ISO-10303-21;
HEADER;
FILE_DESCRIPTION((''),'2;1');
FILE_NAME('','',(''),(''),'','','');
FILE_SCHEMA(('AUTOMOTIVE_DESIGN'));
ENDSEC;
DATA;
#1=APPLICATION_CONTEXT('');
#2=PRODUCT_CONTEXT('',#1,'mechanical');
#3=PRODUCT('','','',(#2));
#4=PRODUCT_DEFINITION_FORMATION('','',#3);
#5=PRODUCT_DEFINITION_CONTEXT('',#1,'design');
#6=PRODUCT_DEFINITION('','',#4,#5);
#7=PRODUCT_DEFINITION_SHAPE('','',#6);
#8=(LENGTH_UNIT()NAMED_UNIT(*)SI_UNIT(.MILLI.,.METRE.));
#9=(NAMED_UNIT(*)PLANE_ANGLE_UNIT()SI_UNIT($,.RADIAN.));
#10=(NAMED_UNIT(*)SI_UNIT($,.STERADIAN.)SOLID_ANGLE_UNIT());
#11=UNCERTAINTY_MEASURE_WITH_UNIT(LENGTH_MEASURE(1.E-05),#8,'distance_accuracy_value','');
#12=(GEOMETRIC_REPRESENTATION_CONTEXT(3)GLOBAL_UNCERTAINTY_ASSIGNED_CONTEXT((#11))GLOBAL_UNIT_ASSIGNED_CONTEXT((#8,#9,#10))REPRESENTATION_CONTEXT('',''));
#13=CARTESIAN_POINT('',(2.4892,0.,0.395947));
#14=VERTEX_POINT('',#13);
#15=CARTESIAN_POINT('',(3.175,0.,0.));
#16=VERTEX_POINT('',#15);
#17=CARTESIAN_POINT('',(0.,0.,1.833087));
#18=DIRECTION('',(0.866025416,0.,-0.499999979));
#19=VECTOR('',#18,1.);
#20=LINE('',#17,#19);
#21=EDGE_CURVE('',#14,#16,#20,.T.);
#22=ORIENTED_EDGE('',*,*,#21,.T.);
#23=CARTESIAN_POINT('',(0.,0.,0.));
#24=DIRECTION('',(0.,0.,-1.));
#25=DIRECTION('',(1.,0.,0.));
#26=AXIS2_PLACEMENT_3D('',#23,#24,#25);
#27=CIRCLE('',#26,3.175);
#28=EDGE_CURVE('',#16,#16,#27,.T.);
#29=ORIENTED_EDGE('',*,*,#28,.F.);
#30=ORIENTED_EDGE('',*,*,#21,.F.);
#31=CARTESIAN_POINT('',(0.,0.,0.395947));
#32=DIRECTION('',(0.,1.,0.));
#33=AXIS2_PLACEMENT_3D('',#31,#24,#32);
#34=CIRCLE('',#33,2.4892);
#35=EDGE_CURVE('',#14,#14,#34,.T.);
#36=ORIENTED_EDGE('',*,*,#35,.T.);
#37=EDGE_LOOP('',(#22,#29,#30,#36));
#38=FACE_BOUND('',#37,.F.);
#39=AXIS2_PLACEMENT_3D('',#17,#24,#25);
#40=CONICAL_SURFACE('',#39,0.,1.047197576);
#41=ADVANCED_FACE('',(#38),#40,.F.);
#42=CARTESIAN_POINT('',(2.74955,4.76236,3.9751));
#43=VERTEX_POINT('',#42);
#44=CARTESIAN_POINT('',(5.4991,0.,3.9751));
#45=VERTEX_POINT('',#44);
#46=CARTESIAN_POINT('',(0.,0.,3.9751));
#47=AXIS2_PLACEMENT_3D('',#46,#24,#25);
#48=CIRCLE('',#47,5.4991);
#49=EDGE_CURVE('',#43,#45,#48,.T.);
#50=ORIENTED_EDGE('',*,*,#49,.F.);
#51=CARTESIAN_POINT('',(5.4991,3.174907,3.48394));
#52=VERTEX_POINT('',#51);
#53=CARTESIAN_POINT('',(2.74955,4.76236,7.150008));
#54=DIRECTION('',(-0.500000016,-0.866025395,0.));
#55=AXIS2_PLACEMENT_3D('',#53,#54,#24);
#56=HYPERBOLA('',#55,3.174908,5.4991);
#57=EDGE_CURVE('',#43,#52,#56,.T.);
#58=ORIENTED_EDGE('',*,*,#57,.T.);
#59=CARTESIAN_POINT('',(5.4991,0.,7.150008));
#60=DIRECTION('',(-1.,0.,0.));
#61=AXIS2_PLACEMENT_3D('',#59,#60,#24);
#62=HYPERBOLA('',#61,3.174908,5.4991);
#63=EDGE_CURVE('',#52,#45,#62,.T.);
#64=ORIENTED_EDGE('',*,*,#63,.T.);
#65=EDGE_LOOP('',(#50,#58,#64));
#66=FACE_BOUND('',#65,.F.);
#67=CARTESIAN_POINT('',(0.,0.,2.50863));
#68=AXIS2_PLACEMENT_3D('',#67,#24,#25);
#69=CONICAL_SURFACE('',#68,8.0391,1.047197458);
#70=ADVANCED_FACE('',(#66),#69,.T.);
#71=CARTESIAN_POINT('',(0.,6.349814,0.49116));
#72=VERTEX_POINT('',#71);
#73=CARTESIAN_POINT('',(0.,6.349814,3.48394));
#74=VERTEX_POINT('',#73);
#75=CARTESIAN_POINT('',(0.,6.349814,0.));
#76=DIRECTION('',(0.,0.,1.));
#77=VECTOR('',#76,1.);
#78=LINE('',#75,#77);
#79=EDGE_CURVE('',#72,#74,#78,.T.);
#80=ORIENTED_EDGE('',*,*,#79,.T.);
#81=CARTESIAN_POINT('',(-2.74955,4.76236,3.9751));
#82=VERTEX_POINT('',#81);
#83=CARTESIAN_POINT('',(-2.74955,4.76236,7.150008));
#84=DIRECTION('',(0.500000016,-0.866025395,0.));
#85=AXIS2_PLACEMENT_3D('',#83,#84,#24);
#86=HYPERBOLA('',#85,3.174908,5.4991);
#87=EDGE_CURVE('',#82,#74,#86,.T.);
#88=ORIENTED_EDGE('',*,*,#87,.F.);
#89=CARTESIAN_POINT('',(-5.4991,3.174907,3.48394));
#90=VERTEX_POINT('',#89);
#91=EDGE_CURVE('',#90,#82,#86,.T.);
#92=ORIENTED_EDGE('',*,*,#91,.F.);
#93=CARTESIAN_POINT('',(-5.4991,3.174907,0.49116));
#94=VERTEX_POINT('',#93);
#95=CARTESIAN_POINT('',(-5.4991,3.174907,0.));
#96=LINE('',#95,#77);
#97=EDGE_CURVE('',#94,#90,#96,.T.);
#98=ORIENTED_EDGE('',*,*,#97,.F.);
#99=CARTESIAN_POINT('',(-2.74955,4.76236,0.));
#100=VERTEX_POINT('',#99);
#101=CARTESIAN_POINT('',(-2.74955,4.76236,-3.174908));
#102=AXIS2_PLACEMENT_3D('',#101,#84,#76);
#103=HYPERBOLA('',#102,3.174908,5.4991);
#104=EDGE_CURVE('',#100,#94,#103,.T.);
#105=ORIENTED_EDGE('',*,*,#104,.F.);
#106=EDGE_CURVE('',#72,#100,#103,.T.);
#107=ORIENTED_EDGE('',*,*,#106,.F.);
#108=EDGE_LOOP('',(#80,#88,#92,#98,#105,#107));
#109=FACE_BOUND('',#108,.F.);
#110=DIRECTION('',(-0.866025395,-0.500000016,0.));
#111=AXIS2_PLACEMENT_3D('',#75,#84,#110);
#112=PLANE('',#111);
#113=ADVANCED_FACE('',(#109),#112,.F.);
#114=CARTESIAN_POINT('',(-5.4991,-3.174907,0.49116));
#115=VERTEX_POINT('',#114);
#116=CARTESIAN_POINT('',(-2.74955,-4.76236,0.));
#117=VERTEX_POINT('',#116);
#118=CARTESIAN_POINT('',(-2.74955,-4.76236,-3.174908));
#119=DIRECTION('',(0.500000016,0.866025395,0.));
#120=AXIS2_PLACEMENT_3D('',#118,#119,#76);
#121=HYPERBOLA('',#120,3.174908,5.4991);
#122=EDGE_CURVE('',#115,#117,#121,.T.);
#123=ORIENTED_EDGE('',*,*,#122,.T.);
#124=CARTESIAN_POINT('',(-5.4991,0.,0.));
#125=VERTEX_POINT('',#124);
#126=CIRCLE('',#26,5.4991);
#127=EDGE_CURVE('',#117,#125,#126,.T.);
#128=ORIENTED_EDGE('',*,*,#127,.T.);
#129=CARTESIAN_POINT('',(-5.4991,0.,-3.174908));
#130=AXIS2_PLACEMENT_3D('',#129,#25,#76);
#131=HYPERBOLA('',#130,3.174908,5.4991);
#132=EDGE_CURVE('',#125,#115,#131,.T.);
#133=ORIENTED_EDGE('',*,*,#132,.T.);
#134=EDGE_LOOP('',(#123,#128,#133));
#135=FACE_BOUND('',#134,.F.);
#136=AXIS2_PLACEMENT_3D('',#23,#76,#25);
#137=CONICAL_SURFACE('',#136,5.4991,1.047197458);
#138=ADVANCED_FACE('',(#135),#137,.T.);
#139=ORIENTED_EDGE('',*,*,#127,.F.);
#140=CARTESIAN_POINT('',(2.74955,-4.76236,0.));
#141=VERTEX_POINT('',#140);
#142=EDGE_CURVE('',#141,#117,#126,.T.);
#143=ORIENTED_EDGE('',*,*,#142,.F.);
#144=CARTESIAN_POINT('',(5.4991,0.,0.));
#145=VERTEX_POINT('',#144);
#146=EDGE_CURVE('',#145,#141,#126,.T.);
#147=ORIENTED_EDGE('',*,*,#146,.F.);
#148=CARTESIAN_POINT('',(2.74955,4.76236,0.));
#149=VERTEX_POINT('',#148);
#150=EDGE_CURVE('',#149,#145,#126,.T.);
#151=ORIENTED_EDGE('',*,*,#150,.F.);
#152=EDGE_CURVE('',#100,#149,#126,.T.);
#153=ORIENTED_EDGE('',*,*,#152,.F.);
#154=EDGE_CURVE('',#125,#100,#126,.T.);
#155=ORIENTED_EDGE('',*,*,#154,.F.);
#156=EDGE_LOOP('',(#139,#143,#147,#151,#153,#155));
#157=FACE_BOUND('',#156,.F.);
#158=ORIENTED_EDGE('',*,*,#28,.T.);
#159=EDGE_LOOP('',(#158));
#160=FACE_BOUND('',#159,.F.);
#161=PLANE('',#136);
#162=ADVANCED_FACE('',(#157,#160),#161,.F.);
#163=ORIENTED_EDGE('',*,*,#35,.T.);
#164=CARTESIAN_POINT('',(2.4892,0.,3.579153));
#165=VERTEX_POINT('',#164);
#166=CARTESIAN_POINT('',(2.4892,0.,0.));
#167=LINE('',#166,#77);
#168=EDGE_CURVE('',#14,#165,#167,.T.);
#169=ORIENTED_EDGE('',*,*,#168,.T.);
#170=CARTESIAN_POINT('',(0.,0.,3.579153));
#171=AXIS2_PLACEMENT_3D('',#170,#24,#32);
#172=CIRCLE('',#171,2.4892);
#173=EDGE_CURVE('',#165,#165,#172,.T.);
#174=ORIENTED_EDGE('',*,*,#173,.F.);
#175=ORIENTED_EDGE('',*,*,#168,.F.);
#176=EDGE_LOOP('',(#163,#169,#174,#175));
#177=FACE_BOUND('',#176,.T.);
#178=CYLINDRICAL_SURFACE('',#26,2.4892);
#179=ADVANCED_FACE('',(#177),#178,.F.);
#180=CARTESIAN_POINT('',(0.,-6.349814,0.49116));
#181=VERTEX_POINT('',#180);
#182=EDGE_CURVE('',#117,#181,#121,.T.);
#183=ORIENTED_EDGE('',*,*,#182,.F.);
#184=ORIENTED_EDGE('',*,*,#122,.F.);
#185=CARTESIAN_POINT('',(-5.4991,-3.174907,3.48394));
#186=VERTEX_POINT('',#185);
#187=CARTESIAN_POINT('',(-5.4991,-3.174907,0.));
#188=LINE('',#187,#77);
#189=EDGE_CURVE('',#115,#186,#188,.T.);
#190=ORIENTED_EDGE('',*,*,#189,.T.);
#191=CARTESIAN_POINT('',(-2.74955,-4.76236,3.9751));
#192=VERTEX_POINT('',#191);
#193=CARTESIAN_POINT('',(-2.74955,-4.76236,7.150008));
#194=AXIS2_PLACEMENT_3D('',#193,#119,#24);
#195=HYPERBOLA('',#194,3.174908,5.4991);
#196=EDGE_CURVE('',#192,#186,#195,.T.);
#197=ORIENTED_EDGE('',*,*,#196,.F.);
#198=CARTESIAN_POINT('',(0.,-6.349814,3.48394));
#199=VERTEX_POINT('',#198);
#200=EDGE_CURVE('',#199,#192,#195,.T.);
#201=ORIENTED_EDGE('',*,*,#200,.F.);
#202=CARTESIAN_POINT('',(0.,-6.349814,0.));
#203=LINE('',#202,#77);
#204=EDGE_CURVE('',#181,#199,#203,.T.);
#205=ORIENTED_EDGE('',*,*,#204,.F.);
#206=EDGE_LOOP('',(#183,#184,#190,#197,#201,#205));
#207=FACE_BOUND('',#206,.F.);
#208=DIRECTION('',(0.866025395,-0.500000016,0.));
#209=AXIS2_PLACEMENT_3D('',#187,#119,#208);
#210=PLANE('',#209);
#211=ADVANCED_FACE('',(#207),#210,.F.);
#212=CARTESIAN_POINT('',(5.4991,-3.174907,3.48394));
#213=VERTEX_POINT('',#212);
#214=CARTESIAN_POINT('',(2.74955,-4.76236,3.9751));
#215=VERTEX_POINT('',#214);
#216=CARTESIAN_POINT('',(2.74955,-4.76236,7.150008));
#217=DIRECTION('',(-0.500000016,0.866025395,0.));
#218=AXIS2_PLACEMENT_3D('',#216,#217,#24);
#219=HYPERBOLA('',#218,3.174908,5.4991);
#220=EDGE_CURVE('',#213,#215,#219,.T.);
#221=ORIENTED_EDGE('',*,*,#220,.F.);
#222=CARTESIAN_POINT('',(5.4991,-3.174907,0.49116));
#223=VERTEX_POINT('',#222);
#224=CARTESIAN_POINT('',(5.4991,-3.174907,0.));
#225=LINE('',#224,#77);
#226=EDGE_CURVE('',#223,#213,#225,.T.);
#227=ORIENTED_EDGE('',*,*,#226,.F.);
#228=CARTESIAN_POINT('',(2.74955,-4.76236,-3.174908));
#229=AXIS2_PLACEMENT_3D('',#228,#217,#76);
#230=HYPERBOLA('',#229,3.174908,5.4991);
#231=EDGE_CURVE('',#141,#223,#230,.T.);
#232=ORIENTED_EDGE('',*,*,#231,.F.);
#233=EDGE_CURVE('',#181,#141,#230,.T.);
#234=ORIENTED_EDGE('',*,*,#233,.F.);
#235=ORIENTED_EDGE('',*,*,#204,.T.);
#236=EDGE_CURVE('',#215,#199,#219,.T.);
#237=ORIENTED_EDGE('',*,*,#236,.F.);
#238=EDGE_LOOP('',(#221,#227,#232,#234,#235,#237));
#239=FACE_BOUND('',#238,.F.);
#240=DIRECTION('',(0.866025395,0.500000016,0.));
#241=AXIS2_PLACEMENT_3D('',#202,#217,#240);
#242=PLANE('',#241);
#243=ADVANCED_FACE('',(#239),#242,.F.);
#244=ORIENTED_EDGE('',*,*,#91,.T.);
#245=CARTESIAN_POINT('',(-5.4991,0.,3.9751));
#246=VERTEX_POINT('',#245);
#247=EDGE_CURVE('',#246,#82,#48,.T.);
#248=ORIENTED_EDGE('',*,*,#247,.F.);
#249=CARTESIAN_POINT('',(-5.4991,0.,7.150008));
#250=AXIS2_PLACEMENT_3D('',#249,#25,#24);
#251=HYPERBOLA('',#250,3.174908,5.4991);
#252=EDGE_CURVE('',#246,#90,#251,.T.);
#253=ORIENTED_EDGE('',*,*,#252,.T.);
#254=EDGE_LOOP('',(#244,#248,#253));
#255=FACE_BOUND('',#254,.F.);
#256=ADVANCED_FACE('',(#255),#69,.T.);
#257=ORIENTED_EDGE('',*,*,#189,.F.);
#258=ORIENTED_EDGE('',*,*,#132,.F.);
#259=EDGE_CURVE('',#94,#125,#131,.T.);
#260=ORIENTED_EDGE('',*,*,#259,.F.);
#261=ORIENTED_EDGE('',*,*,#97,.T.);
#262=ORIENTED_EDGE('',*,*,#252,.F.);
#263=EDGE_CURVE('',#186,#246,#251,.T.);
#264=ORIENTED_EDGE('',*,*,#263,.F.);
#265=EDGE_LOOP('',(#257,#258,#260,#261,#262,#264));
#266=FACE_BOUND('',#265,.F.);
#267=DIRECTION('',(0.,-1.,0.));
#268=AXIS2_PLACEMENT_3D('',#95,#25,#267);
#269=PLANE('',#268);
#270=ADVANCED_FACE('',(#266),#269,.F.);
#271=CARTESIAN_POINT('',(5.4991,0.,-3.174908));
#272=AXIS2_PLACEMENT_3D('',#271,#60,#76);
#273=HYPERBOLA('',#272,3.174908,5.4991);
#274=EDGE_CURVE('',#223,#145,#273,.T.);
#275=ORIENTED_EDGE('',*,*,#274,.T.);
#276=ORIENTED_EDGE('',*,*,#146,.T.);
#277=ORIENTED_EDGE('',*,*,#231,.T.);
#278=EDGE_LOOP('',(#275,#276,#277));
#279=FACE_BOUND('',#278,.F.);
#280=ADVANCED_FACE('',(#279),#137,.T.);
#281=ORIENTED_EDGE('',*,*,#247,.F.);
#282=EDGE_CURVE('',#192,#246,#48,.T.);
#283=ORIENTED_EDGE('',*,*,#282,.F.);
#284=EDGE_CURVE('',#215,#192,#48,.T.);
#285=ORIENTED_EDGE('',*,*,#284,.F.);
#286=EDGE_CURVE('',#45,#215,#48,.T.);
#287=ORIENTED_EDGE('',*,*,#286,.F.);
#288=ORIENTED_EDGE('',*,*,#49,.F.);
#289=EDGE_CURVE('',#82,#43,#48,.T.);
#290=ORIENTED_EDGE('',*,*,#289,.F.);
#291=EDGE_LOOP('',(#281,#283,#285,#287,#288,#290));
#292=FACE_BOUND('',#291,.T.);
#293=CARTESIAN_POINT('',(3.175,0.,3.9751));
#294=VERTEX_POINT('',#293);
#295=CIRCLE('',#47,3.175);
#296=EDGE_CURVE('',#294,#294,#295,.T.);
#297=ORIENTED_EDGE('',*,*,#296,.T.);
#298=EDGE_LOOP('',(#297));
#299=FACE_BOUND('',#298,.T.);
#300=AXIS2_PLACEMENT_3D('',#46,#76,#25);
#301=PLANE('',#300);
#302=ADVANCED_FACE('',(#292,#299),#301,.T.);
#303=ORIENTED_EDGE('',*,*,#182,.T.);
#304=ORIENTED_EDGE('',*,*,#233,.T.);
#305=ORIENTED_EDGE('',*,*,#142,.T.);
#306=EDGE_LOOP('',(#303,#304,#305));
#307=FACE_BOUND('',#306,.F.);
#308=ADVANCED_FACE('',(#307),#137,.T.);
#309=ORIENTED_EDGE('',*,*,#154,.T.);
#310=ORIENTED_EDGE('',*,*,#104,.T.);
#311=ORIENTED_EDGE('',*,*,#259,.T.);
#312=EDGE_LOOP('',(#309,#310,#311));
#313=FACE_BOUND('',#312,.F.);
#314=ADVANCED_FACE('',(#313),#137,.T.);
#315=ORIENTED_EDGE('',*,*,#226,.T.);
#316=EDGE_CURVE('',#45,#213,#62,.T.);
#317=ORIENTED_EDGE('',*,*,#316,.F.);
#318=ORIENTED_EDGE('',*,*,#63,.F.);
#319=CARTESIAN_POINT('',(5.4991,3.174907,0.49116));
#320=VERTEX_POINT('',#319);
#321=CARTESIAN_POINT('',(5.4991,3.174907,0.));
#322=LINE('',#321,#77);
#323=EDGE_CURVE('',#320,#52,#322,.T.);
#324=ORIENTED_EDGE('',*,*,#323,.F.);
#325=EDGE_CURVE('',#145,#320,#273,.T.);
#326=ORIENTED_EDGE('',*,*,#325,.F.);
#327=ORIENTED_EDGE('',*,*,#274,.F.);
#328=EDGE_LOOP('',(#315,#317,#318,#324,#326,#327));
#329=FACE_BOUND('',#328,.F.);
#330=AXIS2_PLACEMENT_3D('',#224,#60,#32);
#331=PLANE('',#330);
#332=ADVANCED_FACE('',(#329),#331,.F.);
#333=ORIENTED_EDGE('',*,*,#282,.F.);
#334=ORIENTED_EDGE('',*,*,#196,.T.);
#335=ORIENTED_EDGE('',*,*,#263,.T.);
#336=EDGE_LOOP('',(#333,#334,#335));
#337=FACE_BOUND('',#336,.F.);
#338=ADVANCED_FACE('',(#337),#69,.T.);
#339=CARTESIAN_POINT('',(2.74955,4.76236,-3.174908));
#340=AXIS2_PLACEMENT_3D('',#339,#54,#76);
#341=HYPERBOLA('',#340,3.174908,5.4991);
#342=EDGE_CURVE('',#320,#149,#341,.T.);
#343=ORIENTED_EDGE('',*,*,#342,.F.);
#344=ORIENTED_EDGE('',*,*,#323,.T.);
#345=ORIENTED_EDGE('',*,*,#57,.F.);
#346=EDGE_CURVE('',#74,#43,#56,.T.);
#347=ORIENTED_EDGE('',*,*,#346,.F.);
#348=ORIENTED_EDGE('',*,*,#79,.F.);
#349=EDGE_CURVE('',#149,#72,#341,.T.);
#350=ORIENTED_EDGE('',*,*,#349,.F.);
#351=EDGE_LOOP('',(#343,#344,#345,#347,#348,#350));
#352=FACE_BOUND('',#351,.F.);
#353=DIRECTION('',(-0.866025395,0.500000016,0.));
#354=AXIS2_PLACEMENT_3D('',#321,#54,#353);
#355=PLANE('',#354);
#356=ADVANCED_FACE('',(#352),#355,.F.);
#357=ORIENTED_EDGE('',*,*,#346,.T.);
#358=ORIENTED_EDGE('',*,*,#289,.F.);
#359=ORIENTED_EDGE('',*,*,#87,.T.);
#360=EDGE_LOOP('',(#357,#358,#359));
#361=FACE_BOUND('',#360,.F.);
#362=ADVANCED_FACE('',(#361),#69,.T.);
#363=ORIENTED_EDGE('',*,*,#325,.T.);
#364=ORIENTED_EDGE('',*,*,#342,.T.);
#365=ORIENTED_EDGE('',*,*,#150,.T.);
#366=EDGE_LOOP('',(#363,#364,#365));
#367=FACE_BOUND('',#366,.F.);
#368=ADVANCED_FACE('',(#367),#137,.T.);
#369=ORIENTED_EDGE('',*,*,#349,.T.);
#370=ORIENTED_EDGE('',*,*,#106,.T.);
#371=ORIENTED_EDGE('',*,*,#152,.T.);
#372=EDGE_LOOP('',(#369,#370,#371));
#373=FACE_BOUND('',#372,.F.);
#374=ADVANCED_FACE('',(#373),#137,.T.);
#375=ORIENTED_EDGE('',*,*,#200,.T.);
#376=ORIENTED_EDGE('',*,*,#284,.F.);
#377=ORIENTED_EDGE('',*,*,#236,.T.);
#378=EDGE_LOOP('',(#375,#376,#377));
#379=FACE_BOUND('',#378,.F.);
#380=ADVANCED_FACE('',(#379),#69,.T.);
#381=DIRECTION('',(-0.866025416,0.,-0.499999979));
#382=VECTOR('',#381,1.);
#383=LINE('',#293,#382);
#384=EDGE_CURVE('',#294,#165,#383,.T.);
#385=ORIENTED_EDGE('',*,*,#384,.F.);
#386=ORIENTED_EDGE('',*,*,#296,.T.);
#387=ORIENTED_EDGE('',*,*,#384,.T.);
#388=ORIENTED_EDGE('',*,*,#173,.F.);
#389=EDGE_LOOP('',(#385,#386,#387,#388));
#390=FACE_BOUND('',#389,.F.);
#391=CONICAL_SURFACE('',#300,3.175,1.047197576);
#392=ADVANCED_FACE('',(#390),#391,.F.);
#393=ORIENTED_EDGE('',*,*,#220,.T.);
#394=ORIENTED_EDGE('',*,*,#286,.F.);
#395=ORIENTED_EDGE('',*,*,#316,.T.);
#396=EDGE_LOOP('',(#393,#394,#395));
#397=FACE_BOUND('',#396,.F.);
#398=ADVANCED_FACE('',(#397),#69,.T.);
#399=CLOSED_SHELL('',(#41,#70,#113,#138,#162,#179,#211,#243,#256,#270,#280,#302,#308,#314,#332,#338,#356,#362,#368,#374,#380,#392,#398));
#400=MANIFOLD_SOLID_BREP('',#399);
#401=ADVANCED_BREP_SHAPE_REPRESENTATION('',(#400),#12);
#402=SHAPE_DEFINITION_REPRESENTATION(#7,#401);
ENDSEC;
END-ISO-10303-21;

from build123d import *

# Parameters (mm, degrees)
F0_R     = 3.175
F0_R_2   = 2.4892
F1_DEPTH = 3.9751


with BuildPart() as f1:
    # F0 (on Top) → F1 (new body)
    with BuildSketch(Plane.XY):
        Polygon((5.4991, -3.174907), (5.4991, 3.174907), (0, 6.349814), (-5.4991, 3.174907), (-5.4991, -3.174907), (0, -6.349814), align=None)
        Circle(F0_R, mode=Mode.SUBTRACT)
        Circle(F0_R)
        Circle(F0_R_2, mode=Mode.SUBTRACT)
    extrude(amount=F1_DEPTH)

    # F2 (on Front) → F3 (revolve, intersect)
    with BuildSketch(Plane.XZ):
        Polygon((5.4991, 0), (5.4991, 3.9751), (3.175, 3.9751), (0, 2.142013), (0, 1.833087), (3.175, 0), align=None)
        Polygon((8.0391, 2.50863), (5.4991, 3.9751), (5.4991, 0), (8.0391, 1.46647), align=None)
    revolve(axis=Axis((0, 0, 1.98755), (0, 0, -1)), mode=Mode.INTERSECT)


solid = f1.part
